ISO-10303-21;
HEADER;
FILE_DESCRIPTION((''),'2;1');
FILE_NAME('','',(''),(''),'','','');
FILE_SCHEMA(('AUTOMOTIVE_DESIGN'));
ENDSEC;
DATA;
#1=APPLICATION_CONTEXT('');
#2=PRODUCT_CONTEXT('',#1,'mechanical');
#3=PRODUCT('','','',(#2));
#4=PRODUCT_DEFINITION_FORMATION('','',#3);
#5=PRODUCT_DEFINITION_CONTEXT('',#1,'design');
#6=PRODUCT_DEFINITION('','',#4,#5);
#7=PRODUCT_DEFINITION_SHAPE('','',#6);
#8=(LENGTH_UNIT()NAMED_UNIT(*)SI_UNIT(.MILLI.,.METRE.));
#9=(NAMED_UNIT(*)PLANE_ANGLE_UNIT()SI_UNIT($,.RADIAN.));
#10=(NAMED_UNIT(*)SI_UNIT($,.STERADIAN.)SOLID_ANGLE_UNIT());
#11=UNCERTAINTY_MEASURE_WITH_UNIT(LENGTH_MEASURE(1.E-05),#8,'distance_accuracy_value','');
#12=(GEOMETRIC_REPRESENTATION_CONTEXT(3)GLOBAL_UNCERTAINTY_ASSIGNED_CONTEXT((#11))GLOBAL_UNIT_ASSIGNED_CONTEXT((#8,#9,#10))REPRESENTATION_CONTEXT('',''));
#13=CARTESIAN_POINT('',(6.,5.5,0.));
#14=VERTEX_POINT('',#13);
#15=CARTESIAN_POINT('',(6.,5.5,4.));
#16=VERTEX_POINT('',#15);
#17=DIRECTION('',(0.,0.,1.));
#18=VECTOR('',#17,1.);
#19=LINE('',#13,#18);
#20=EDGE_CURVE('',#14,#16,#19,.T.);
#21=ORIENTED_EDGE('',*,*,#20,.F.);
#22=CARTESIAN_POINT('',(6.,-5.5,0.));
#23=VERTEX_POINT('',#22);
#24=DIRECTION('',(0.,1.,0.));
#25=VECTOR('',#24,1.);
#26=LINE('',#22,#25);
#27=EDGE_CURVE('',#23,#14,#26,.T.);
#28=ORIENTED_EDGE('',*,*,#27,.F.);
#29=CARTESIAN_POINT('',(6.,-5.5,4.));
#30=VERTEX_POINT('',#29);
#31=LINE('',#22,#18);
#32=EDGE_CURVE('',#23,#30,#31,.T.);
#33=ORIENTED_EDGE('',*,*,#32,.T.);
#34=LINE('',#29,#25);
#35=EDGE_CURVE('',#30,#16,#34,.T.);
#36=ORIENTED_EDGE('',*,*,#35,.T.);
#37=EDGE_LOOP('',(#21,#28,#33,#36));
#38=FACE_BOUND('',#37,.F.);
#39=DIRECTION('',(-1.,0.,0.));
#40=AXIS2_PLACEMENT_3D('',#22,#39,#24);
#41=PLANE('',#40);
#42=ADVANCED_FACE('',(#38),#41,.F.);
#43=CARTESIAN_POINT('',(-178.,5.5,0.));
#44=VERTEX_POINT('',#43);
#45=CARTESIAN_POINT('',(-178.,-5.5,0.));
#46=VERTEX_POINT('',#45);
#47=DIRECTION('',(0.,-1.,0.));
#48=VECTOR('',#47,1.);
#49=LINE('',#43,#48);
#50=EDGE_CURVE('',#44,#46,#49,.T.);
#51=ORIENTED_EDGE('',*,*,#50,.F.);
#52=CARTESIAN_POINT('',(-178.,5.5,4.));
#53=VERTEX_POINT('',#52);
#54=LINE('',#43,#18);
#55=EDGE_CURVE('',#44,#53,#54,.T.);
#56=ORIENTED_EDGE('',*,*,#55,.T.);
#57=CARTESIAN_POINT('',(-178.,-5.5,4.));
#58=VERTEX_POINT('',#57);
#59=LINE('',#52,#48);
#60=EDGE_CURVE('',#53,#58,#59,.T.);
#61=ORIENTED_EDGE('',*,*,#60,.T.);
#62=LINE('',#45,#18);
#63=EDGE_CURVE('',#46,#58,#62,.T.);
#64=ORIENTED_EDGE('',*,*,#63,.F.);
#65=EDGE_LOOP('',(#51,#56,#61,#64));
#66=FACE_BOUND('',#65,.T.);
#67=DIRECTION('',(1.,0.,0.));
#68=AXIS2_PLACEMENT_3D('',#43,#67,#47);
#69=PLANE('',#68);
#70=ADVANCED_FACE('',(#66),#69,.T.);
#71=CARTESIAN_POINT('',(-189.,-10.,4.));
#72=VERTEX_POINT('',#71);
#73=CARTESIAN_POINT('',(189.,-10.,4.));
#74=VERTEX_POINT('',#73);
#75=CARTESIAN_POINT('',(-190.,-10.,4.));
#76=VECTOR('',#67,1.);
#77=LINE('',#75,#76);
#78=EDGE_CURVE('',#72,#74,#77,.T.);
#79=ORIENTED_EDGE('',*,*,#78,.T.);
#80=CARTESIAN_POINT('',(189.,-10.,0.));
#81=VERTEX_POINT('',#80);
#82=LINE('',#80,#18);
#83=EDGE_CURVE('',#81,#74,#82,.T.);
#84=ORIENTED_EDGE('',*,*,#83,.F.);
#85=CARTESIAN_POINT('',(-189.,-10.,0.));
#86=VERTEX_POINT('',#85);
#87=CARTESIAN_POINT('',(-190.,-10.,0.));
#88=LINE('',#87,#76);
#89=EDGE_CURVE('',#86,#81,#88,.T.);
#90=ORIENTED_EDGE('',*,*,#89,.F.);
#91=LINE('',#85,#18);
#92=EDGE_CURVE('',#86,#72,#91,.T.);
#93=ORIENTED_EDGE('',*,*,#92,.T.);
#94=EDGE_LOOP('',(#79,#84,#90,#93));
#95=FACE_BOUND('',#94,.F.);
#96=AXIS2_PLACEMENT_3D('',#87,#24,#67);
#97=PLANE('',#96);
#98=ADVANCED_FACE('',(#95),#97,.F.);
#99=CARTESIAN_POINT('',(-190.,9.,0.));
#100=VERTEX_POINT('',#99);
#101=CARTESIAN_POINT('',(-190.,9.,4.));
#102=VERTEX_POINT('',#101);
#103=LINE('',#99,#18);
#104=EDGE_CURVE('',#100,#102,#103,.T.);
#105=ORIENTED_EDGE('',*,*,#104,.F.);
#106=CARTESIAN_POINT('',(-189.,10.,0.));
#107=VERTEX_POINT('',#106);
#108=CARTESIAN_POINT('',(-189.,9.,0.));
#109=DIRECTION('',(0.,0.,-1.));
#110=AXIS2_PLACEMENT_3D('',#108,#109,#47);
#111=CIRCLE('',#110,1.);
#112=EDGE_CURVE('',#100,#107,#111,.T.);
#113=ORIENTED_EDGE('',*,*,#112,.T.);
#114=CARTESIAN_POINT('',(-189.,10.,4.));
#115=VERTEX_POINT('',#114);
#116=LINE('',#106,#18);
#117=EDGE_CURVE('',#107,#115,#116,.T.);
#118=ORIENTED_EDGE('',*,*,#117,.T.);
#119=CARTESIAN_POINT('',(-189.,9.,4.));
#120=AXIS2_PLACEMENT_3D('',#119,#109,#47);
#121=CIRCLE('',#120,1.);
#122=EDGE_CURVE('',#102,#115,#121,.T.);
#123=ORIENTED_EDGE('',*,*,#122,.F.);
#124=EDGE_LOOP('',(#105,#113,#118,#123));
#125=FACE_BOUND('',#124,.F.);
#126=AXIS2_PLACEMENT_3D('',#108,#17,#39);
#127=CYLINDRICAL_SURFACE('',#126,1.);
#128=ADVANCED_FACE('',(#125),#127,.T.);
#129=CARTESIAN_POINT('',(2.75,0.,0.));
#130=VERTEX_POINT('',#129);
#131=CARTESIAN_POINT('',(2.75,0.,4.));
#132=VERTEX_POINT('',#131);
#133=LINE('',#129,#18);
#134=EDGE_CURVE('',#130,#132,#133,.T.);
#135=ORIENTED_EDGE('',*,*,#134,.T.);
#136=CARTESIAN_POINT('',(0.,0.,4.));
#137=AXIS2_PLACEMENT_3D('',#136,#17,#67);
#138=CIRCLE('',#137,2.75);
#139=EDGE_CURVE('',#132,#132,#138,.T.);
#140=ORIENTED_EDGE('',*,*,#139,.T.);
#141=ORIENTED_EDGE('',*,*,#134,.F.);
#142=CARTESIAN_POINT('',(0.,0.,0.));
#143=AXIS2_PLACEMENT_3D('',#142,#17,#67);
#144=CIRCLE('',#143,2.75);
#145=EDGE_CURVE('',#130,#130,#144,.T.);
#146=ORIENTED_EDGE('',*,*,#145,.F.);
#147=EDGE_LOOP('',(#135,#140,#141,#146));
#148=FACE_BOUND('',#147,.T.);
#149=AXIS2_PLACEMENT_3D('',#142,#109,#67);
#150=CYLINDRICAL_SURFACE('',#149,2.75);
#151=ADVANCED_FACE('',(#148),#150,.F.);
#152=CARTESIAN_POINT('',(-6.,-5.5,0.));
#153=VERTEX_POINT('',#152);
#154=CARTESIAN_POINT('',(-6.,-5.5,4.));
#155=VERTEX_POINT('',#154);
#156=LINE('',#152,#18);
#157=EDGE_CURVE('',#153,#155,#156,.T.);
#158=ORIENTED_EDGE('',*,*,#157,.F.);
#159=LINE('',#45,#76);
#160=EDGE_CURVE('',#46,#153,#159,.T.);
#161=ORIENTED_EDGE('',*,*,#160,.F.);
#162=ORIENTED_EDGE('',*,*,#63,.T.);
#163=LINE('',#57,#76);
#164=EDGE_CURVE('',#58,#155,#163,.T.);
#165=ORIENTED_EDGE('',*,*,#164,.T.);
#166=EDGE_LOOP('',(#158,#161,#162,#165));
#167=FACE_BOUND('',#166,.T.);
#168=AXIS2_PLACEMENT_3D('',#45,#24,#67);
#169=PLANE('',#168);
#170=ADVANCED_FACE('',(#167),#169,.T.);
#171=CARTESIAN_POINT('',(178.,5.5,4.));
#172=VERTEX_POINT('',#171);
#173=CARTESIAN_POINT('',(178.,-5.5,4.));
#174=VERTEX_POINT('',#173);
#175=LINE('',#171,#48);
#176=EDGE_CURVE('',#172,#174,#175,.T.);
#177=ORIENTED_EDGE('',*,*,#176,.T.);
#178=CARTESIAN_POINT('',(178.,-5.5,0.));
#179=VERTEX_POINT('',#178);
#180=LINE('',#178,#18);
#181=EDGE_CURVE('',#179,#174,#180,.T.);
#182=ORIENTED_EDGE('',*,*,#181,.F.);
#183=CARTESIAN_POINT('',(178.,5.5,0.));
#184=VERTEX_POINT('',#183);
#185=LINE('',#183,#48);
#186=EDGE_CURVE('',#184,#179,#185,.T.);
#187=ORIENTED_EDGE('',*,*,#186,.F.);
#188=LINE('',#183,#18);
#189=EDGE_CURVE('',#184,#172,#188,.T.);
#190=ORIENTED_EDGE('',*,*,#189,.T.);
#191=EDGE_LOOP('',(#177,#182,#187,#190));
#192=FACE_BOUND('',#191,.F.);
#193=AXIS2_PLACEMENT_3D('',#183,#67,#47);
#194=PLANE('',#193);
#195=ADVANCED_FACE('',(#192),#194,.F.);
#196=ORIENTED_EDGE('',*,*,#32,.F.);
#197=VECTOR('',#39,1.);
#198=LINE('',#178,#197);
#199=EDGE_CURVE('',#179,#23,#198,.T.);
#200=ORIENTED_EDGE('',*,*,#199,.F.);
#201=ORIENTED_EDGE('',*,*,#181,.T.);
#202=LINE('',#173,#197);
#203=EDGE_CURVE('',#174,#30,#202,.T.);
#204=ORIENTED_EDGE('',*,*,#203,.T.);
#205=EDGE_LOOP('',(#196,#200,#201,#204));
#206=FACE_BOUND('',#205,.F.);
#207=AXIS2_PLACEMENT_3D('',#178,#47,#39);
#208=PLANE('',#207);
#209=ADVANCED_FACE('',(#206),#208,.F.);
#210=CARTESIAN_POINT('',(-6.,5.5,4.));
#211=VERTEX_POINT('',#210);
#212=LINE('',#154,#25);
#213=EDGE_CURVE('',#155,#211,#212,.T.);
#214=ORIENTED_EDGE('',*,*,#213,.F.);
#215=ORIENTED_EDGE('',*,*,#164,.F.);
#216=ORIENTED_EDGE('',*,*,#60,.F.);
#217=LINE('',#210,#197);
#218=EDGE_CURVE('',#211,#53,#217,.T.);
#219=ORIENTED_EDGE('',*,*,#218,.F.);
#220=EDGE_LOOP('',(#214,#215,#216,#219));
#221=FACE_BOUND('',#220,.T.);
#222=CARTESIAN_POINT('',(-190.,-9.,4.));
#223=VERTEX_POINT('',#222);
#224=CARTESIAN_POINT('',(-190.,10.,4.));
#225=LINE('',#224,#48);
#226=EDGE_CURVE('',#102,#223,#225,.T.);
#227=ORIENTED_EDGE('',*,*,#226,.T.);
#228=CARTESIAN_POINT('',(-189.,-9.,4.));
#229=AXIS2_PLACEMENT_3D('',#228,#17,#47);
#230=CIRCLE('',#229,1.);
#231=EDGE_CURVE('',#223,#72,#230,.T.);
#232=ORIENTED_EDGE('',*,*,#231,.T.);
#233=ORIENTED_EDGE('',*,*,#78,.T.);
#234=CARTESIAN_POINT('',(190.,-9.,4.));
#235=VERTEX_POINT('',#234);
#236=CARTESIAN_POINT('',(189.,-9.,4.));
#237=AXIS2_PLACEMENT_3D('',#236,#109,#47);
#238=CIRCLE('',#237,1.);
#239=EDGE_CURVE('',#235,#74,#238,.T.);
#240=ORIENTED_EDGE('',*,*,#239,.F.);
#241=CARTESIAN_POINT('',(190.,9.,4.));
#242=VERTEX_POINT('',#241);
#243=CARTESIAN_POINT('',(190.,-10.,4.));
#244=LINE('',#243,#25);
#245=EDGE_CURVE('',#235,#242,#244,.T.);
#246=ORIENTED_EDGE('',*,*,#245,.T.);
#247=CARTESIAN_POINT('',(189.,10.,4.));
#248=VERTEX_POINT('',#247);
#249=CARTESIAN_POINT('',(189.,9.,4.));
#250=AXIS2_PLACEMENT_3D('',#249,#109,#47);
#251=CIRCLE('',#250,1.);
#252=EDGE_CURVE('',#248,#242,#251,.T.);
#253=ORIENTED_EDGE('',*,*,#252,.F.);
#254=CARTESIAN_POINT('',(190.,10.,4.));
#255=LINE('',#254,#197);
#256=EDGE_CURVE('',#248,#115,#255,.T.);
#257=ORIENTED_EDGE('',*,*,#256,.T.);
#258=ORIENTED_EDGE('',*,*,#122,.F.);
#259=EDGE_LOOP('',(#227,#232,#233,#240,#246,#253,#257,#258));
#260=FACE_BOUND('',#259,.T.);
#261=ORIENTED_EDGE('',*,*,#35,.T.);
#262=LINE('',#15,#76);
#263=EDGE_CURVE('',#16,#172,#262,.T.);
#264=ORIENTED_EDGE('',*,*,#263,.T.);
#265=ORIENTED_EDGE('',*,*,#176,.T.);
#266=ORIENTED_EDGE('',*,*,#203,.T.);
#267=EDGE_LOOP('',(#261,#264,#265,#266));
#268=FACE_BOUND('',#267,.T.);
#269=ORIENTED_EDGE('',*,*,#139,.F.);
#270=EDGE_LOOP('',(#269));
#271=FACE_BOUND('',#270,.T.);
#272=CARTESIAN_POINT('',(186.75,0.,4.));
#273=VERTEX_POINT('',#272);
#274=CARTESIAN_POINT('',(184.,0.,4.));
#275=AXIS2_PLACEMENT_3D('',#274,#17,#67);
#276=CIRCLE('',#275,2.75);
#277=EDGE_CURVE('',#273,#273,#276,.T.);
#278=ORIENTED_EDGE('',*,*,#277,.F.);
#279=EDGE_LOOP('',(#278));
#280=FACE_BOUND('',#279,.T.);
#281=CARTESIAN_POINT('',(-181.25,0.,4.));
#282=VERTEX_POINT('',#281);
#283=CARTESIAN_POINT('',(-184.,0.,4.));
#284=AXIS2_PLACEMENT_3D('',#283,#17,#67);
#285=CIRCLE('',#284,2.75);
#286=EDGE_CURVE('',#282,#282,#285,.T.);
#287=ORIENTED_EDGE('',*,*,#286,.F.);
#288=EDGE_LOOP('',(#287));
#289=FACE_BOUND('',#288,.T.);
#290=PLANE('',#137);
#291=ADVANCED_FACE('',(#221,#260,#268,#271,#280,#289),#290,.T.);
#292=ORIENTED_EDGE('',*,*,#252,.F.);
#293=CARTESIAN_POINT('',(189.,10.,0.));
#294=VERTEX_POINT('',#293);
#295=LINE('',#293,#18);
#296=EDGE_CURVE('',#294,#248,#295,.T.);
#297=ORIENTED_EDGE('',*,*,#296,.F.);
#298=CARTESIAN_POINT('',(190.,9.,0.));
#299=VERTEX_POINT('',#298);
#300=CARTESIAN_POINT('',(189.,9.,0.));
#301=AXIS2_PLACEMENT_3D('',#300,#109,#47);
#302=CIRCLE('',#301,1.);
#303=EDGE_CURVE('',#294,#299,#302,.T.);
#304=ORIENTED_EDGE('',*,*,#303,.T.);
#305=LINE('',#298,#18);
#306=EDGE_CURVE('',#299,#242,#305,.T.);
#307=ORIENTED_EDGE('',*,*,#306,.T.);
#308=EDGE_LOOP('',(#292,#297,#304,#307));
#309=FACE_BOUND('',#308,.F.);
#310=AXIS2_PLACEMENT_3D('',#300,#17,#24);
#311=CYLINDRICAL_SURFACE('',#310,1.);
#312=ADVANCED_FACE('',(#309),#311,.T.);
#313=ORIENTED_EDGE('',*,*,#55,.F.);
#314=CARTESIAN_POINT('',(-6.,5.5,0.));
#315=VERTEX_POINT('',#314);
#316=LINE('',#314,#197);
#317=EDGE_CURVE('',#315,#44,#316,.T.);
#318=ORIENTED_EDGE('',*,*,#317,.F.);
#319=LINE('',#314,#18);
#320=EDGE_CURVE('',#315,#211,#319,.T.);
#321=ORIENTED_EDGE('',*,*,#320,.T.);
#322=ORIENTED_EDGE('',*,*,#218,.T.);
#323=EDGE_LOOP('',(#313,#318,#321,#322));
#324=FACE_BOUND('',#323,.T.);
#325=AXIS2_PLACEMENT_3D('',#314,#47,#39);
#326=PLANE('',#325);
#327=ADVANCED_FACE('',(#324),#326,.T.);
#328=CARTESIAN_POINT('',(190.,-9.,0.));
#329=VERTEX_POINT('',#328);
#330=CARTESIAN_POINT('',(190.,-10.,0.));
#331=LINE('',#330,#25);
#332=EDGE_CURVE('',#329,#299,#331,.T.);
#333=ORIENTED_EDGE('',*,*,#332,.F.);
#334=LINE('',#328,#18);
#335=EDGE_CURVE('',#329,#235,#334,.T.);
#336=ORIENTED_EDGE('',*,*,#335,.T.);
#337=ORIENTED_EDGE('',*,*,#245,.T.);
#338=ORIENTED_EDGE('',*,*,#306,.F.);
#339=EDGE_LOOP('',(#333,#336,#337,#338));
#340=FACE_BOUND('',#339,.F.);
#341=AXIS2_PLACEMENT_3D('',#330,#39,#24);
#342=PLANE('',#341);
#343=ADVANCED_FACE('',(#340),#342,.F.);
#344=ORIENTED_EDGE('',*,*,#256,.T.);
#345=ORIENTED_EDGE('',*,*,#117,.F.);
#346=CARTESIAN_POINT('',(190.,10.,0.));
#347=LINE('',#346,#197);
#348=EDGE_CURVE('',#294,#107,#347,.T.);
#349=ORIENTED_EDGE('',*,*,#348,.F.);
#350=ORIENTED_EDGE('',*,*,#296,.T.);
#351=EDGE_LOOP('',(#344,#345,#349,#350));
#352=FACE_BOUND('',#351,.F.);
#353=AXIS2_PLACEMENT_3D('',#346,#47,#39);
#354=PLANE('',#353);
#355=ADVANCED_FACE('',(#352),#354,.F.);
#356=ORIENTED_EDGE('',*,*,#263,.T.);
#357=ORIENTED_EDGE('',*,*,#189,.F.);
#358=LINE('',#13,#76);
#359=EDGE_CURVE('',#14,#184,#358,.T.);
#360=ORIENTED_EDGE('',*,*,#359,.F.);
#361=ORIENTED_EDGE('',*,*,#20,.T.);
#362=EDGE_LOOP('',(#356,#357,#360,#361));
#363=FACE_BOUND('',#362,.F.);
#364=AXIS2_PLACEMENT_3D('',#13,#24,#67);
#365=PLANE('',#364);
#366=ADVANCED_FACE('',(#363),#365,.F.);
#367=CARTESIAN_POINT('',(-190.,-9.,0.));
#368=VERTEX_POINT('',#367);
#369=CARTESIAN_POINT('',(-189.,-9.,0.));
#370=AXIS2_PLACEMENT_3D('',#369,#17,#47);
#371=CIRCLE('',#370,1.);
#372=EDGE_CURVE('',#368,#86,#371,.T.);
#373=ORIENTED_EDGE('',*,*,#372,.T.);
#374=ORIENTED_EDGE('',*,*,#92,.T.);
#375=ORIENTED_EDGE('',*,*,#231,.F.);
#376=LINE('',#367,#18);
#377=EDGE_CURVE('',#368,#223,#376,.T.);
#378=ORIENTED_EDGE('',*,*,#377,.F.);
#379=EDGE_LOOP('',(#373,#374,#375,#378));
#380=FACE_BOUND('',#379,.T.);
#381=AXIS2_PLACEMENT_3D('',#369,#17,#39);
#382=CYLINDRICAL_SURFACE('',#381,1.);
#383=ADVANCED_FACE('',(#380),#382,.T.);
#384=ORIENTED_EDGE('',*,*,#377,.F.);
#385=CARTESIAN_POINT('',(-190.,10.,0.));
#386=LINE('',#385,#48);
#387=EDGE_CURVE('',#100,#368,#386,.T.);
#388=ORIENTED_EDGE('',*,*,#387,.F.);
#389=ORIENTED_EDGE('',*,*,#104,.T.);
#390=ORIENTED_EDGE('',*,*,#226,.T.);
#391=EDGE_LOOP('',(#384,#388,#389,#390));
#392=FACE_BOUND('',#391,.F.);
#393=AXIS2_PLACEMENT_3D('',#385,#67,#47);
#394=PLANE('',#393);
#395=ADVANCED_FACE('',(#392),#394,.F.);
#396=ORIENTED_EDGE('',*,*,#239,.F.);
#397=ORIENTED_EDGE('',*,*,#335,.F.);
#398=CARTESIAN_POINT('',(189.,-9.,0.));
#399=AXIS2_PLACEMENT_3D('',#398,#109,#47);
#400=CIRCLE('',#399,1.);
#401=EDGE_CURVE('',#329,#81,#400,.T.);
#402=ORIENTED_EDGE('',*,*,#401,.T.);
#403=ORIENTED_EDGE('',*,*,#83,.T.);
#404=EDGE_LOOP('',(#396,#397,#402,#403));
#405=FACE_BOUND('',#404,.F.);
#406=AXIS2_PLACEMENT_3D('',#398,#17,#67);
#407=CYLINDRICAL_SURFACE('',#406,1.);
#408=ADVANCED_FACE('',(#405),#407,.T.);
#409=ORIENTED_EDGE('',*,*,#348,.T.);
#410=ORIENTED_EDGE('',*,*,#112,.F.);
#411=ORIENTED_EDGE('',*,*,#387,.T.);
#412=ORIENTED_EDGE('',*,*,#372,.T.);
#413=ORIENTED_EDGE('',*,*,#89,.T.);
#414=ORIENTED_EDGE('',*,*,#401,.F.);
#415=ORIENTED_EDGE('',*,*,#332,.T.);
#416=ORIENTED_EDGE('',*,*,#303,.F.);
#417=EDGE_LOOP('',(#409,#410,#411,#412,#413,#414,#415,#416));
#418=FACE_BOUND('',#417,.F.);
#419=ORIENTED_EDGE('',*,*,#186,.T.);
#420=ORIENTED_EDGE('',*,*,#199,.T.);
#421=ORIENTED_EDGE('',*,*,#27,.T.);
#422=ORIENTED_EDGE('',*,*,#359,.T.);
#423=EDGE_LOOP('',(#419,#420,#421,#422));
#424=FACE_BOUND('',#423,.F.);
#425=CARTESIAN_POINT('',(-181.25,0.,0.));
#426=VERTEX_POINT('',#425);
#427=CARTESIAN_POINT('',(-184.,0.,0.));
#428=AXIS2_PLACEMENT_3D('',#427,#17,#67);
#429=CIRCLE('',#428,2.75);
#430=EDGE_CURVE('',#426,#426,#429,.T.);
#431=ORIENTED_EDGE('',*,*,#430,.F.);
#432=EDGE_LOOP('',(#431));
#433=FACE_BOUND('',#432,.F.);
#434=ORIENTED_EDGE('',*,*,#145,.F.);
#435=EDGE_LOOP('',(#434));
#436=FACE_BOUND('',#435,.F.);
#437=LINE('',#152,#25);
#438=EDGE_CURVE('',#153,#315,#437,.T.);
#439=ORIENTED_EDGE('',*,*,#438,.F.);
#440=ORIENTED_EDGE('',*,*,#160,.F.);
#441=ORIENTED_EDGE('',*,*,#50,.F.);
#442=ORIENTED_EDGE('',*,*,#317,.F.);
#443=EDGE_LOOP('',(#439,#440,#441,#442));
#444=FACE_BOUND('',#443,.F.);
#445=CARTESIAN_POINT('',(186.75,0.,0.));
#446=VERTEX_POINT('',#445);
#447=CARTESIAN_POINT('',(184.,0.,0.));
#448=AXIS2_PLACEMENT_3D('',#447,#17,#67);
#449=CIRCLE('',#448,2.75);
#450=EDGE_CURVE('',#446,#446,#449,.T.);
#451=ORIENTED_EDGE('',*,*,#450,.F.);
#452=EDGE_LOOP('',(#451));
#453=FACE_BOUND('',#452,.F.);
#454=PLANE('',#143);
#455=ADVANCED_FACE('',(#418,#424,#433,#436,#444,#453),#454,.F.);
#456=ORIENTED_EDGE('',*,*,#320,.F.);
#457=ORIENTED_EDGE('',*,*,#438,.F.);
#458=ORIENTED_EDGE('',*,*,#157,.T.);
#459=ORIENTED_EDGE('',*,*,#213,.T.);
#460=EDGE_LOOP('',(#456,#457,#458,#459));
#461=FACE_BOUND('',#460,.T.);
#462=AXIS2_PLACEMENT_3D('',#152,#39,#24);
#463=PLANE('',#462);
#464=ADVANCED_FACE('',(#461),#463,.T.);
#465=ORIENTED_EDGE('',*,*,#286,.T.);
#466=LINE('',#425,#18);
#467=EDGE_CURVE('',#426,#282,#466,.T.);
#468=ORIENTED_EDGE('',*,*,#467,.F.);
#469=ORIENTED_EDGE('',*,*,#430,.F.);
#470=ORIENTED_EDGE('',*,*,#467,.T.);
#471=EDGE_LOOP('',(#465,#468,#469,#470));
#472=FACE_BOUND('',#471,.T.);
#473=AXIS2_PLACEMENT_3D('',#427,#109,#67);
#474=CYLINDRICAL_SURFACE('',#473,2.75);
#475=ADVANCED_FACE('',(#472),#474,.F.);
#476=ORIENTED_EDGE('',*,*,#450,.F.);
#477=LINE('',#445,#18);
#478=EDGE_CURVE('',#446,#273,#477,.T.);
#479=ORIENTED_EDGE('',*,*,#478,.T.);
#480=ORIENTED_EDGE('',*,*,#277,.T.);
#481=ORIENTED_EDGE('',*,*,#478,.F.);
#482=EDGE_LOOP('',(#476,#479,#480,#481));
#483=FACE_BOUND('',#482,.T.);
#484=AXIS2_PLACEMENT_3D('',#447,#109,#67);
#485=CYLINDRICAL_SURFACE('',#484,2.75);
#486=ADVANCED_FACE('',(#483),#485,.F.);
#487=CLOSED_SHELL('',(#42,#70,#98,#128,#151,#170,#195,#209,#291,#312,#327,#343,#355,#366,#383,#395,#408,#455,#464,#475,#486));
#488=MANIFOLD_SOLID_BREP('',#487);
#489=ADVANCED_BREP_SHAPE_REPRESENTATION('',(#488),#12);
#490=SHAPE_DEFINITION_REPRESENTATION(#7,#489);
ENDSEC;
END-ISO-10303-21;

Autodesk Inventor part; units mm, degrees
ref_plane "YZ Plane" through (0, 0, 0) normal (1, 0, 0) x (0, 1, 0)
ref_plane "XZ Plane" through (0, 0, 0) normal (0, 1, 0) x (-1, 0, 0)
ref_plane "XY Plane" through (0, 0, 0) normal (0, 0, 1) x (1, 0, 0)
sketch "Sketch1" plane through (0, 0, 0) normal (0, 0, 1) x (1, 0, 0)
  line L0 (-190, -10) -> (190, -10)
  line L1 (190, -10) -> (190, 10)
  line L2 (190, 10) -> (-190, 10)
  line L3 (-190, 10) -> (-190, -10)
  line L4 (-190, -10) -> (190, 10) construction
  line L5 (190, -10) -> (-190, 10) construction
  line L6 (-266.2899, 0) -> (266.2899, 0) construction
  line L7 (-178, -5.5) -> (-6, -5.5)
  line L8 (-6, -5.5) -> (-6, 5.5)
  line L9 (-6, 5.5) -> (-178, 5.5)
  line L10 (-178, 5.5) -> (-178, -5.5)
  line L11 (-178, -5.5) -> (-6, 5.5) construction
  line L12 (-6, -5.5) -> (-178, 5.5) construction
  line L13 (0, 14.2899) -> (0, -14.2899) construction
  line L14 (178, -5.5) -> (6, -5.5)
  line L15 (6, -5.5) -> (6, 5.5)
  line L16 (6, 5.5) -> (178, 5.5)
  line L17 (178, 5.5) -> (178, -5.5)
  line L18 (178, -5.5) -> (6, 5.5) construction
  line L19 (6, -5.5) -> (178, 5.5) construction
  circle A0 centre (-184, 0) radius 2.75
  circle A1 centre (0, 0) radius 2.75
  circle A2 centre (184, 0) radius 2.75
  point P0 (-92, 0)
  point P1 (92, 0)
  dimension "d0" = 380
  dimension "d1" = 20
  dimension "d2" = 11
  dimension "d3" = 12
  dimension "d4" = 6
  dimension "d5" = 5.5
  dimension "d6" = 6
  dimension "d7" = 5.5
extrude "Extrusion1" add sketch "Sketch1" along normal blind 4
fillet "Fillet1" radius 1 4 edges at (-190, -10, 2) (-190, 10, 2) (190, -10, 2) (190, 10, 2)
sketch "Sketch2" plane through (0, 0, 4) normal (0, 0, 1) x (1, 0, 0)
  arc A0 (190, 9) -> (189, 10) centre (189, 9) ccw projected
  line L0 (189, 10) -> (-189, 10) projected
  arc A1 (-189, 10) -> (-190, 9) centre (-189, 9) ccw projected
  line L1 (-190, 9) -> (-190, -9) projected
  arc A2 (-190, -9) -> (-189, -10) centre (-189, -9) ccw projected
  line L2 (-189, -10) -> (189, -10) projected
  arc A3 (189, -10) -> (190, -9) centre (189, -9) ccw projected
  line L3 (190, -9) -> (190, 9) projected
  circle A4 centre (-184, 0) radius 2.75 projected
  circle A5 centre (0, 0) radius 2.75 projected
  circle A6 centre (184, 0) radius 2.75 projected
  line L4 (178, 5.5) -> (178, -5.5) projected
  line L5 (178, -5.5) -> (6, -5.5) projected
  line L6 (6, -5.5) -> (6, 5.5) projected
  line L7 (6, 5.5) -> (178, 5.5) projected
  line L8 (-178, -5.5) -> (-178, 5.5) projected
  line L9 (-178, 5.5) -> (-6, 5.5) projected
  line L10 (-6, 5.5) -> (-6, -5.5) projected
  line L11 (-6, -5.5) -> (-178, -5.5) projected
equation "\"d6\" = 0.5 * d3"
equation "\"d7\" = d5"
properties part number "LED_Holder_FrontBot"
